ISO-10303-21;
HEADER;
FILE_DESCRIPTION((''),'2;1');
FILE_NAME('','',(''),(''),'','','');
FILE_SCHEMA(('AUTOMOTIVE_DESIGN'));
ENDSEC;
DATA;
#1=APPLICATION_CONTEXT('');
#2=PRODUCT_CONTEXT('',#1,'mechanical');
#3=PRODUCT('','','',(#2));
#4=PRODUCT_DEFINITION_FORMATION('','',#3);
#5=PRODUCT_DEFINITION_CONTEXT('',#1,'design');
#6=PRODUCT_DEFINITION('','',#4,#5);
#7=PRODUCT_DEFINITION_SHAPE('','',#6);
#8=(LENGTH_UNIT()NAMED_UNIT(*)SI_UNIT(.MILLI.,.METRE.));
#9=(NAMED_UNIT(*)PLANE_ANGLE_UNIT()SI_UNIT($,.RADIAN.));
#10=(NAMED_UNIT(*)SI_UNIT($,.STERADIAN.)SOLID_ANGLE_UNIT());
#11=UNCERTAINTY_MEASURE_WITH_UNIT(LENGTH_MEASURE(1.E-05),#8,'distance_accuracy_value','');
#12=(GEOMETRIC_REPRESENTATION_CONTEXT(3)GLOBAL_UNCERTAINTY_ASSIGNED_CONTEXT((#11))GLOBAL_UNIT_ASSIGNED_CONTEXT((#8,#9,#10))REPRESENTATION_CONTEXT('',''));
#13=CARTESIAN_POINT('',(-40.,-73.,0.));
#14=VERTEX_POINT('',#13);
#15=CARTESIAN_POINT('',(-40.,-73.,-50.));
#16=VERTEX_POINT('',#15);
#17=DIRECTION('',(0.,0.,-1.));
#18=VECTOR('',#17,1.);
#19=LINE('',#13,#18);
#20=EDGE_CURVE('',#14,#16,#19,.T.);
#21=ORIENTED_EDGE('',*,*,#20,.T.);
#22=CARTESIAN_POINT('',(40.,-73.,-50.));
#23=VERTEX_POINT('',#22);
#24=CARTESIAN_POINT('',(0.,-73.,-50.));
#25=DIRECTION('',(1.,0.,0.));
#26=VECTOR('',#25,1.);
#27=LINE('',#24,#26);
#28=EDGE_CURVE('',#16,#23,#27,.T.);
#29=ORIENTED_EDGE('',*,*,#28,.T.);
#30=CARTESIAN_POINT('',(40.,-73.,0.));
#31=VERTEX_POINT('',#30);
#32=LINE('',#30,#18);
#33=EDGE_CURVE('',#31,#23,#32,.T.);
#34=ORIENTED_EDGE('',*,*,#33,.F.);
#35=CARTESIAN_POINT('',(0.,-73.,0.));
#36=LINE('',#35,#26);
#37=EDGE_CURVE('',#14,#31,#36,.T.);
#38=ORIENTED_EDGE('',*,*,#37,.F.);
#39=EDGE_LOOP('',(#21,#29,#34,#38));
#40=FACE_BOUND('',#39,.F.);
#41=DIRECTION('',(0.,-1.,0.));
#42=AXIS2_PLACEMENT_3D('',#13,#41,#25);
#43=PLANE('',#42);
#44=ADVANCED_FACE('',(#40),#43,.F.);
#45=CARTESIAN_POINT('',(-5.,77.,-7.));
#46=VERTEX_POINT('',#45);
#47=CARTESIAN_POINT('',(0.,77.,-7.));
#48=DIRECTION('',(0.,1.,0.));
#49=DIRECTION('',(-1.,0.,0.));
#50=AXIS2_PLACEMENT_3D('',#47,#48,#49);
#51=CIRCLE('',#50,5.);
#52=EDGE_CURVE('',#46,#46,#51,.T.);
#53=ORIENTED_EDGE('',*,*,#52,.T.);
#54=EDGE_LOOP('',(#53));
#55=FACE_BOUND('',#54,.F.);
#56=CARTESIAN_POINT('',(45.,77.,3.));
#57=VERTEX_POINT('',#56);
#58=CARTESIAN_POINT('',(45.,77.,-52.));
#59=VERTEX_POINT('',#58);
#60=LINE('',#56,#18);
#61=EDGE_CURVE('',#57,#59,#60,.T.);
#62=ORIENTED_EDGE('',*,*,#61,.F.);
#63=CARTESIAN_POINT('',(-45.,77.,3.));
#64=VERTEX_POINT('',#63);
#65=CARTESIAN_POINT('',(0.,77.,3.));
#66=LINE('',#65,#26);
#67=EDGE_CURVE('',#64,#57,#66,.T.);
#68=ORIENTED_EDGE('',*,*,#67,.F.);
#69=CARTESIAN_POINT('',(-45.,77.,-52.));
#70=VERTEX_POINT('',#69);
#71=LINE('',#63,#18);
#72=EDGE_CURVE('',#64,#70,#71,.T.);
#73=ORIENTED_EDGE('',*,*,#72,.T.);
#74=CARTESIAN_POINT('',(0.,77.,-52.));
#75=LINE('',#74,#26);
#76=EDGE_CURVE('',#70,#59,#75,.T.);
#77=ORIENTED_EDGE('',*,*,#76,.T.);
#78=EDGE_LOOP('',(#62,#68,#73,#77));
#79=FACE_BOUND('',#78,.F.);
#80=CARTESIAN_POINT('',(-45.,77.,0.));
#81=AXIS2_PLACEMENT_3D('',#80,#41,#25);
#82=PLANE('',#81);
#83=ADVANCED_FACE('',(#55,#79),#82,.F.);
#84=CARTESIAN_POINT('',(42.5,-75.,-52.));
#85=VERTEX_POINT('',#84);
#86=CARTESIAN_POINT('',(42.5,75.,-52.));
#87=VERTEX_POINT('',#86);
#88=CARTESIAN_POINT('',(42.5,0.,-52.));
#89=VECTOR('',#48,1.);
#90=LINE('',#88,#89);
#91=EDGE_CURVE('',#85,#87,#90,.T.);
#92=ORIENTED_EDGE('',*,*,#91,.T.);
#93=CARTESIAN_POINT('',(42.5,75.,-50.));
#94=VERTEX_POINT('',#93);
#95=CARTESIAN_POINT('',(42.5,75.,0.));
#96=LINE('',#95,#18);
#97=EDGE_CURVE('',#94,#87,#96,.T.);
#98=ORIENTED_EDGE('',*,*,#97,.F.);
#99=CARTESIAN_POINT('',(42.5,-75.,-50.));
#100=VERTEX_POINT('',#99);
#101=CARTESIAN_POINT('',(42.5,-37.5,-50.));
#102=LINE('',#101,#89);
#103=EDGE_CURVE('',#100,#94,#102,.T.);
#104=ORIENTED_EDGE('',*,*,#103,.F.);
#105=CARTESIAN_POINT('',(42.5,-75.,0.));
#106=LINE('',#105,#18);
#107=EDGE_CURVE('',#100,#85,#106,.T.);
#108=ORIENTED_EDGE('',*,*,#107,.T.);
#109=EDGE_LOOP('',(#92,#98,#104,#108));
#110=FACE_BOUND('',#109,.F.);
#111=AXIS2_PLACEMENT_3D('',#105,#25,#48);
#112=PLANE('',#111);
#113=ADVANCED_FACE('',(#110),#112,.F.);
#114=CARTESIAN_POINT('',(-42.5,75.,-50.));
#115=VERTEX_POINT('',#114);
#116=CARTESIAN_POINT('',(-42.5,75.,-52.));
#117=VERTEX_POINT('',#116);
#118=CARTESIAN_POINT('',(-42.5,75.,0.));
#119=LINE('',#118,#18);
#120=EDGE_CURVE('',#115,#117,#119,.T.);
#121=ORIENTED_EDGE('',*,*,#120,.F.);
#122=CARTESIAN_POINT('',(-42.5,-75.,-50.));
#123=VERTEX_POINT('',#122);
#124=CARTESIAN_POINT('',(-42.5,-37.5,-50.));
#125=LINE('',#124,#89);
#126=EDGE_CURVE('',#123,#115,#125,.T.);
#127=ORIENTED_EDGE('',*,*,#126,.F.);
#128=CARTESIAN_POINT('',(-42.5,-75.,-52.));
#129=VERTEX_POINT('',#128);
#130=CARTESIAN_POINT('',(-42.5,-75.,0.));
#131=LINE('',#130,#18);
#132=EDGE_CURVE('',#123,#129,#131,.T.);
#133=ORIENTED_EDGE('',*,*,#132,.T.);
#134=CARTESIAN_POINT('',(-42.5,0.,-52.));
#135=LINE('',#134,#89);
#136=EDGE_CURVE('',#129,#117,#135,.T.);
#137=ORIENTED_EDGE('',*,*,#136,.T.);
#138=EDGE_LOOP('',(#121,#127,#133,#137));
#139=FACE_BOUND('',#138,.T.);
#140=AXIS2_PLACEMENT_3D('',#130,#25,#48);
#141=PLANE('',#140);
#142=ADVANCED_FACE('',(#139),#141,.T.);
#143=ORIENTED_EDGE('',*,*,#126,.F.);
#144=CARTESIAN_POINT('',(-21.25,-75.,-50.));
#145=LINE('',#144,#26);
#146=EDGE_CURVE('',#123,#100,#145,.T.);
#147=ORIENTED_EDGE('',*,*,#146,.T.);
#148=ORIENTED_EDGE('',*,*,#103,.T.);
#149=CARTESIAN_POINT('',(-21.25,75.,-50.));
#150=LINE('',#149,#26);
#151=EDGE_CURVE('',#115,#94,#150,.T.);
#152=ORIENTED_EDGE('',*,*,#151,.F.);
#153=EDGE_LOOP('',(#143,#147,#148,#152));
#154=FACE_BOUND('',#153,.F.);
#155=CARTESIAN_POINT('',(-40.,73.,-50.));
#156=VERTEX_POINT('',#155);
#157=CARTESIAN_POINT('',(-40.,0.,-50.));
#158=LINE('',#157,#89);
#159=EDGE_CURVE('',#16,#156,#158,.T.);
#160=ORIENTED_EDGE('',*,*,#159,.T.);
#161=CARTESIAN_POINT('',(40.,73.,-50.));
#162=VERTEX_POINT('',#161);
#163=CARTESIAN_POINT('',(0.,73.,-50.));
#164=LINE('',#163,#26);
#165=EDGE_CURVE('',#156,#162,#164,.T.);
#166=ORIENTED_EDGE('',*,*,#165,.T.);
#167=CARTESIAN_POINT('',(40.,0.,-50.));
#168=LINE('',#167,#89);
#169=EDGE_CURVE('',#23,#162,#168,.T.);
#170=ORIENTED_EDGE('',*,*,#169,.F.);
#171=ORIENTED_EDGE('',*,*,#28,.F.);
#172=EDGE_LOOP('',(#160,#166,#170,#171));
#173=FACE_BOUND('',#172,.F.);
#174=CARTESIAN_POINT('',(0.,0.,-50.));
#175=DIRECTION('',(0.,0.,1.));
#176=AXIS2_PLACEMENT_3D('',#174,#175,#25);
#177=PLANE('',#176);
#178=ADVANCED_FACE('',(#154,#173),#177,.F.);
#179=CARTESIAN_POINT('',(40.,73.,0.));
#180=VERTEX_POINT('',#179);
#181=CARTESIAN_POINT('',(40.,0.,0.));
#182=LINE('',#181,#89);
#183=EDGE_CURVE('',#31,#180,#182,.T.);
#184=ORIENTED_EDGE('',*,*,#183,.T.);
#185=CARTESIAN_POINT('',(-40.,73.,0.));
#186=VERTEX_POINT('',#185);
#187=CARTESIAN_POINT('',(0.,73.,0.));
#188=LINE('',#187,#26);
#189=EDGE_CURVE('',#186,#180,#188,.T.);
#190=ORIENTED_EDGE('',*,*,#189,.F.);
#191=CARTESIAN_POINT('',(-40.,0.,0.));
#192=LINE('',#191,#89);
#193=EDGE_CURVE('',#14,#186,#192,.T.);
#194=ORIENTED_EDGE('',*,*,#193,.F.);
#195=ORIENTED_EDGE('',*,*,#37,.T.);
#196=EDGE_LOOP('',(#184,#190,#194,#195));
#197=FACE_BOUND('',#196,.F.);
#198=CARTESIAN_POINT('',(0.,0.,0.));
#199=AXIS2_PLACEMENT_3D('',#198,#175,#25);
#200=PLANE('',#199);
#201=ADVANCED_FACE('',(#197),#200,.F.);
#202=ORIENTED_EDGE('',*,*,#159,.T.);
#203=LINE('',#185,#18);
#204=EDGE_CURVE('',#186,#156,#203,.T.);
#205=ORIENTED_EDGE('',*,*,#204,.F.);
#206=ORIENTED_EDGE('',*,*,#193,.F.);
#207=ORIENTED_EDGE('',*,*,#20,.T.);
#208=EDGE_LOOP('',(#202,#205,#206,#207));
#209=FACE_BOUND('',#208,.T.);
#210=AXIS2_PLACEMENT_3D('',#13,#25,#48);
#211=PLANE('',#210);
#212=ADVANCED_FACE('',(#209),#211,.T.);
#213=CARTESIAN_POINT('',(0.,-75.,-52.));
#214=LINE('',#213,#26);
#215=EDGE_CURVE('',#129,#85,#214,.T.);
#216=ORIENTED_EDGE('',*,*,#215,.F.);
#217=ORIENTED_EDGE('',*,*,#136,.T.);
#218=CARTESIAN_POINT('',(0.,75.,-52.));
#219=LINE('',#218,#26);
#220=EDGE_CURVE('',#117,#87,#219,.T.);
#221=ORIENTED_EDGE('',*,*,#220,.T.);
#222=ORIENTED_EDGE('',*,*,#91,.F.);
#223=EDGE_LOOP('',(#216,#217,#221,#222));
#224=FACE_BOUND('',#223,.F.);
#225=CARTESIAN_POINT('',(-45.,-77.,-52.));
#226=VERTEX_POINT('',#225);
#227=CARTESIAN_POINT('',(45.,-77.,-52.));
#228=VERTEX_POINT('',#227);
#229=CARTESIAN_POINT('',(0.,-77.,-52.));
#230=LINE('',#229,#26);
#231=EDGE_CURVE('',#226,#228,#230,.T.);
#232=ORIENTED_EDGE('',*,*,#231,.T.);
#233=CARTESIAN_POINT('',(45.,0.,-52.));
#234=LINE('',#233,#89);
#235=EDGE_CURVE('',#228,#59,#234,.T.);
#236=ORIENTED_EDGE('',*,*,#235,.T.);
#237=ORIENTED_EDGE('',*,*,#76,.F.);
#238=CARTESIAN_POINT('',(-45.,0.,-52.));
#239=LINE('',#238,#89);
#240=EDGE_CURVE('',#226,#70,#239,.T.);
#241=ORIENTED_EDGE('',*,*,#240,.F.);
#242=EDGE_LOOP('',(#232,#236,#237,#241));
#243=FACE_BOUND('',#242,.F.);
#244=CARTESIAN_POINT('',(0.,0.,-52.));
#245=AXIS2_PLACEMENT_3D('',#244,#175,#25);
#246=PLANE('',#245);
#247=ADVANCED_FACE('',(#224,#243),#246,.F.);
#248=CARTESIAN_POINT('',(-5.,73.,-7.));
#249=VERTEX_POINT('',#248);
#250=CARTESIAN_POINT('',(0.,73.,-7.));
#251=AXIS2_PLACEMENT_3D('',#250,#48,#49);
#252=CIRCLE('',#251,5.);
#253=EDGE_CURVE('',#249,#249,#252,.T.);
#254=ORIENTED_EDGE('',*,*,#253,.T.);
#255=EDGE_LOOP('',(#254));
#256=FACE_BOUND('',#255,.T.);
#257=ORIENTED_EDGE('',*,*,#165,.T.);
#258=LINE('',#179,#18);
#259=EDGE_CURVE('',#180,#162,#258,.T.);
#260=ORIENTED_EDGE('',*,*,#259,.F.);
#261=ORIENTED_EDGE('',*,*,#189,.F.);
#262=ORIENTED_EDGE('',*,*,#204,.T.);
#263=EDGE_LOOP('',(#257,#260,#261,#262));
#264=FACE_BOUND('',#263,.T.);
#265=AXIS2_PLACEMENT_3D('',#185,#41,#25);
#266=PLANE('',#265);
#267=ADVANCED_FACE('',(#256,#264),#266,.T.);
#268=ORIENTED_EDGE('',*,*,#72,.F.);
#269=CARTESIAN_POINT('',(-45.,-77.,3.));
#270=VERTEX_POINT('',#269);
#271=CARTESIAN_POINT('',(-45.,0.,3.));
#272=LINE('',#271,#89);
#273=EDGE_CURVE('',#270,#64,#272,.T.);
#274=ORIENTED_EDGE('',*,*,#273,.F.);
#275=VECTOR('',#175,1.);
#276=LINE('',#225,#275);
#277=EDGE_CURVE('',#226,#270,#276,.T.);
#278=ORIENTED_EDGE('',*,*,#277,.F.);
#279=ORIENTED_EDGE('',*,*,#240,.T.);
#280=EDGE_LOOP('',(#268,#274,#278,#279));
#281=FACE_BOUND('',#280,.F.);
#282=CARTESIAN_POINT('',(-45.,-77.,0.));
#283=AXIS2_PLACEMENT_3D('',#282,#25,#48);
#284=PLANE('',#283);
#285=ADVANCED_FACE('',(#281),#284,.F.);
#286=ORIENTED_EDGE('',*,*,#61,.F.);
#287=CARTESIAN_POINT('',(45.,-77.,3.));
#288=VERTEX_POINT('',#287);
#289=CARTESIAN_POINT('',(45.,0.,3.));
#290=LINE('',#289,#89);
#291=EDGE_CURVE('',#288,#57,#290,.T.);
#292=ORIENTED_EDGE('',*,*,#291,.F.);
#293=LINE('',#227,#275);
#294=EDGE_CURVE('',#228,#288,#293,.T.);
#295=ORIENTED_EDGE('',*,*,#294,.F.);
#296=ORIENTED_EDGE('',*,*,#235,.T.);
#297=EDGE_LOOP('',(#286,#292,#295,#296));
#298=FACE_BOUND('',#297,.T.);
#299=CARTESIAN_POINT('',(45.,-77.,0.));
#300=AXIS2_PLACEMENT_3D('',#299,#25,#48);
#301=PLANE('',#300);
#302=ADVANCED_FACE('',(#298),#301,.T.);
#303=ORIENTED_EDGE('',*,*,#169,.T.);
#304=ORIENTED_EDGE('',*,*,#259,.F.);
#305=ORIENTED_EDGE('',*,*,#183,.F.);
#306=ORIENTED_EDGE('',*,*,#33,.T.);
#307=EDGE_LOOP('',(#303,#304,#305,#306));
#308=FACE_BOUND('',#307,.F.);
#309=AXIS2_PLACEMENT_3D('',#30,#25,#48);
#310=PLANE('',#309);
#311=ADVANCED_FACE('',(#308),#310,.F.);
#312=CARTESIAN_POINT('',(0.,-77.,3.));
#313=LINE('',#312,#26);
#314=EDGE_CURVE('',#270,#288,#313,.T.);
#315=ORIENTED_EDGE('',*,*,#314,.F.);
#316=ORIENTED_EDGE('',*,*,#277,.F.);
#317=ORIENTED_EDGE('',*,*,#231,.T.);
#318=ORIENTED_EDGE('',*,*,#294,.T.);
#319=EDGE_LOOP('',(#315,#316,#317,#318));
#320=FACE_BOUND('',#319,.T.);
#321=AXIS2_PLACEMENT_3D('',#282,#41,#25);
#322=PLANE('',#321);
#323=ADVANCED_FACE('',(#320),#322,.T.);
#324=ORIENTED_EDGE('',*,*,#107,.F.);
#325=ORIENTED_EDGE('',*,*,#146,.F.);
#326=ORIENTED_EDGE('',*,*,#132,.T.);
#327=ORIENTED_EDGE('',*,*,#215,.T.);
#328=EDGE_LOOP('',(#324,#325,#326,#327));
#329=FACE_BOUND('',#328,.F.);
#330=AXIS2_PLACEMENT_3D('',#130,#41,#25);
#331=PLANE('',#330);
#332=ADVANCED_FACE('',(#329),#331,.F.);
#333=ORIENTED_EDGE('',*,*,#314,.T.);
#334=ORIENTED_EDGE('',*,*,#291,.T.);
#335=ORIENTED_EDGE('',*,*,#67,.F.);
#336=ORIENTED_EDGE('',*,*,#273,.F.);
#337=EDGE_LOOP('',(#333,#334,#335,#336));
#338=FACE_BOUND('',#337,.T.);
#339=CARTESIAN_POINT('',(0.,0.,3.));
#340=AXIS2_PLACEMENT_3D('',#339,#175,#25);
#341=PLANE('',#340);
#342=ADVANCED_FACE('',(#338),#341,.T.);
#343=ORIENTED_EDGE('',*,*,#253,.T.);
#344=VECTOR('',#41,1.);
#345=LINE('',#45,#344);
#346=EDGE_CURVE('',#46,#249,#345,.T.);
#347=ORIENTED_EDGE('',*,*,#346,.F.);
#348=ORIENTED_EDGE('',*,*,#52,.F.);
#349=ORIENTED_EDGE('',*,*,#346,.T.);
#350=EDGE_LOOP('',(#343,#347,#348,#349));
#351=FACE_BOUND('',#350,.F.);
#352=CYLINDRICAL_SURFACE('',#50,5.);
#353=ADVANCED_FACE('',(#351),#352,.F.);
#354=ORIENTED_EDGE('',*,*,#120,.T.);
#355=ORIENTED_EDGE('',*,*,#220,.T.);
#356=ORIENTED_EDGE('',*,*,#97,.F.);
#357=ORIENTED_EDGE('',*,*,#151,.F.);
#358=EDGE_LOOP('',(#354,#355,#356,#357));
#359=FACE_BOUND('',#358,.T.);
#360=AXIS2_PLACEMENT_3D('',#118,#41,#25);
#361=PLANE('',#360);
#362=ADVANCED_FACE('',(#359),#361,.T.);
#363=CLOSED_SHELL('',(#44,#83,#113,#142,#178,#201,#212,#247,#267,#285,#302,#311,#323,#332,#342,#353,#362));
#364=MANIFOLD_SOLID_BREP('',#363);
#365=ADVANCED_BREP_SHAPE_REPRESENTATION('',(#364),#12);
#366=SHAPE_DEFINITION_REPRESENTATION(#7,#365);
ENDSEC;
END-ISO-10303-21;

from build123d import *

# Parameters (mm, degrees)
F0_W     = 90
F0_H     = 154
F0_W_2   = 85
F0_H_2   = 150
F0_W_3   = 80
F0_H_3   = 146
F1_DEPTH = 3
F2_DEPTH = 50
F3_DEPTH = 52
F4_R     = 5
F5_DEPTH = 5


with BuildPart() as f1:
    # F0 (on Top) → F1 (new body)
    with BuildSketch(Plane.XY):
        Rectangle(F0_W, F0_H)
        Rectangle(F0_W_2, F0_H_2, mode=Mode.SUBTRACT)
        Rectangle(F0_W_2, F0_H_2)
        Rectangle(F0_W_3, F0_H_3, mode=Mode.SUBTRACT)
        Rectangle(F0_W_3, F0_H_3)
    extrude(amount=F1_DEPTH)

    # F0 (on Top) → F2 (join)
    with BuildSketch(Plane.XY):
        Rectangle(F0_W, F0_H)
        Rectangle(F0_W_2, F0_H_2, mode=Mode.SUBTRACT)
        Rectangle(F0_W_2, F0_H_2)
        Rectangle(F0_W_3, F0_H_3, mode=Mode.SUBTRACT)
    extrude(amount=-F2_DEPTH)

    # F0 (on Top) → F3 (join)
    with BuildSketch(Plane.XY):
        Rectangle(F0_W, F0_H)
        Rectangle(F0_W_2, F0_H_2, mode=Mode.SUBTRACT)
    extrude(amount=-F3_DEPTH)

    # F4 (on face) → F5 (cut)
    with BuildSketch(Plane(origin=(0, 77, 0), x_dir=(-1, 0, 0), z_dir=(0, 1, 0))):
        with Locations((0, -7)):
            Circle(F4_R)
    extrude(amount=-F5_DEPTH, mode=Mode.SUBTRACT)


solid = f1.part
